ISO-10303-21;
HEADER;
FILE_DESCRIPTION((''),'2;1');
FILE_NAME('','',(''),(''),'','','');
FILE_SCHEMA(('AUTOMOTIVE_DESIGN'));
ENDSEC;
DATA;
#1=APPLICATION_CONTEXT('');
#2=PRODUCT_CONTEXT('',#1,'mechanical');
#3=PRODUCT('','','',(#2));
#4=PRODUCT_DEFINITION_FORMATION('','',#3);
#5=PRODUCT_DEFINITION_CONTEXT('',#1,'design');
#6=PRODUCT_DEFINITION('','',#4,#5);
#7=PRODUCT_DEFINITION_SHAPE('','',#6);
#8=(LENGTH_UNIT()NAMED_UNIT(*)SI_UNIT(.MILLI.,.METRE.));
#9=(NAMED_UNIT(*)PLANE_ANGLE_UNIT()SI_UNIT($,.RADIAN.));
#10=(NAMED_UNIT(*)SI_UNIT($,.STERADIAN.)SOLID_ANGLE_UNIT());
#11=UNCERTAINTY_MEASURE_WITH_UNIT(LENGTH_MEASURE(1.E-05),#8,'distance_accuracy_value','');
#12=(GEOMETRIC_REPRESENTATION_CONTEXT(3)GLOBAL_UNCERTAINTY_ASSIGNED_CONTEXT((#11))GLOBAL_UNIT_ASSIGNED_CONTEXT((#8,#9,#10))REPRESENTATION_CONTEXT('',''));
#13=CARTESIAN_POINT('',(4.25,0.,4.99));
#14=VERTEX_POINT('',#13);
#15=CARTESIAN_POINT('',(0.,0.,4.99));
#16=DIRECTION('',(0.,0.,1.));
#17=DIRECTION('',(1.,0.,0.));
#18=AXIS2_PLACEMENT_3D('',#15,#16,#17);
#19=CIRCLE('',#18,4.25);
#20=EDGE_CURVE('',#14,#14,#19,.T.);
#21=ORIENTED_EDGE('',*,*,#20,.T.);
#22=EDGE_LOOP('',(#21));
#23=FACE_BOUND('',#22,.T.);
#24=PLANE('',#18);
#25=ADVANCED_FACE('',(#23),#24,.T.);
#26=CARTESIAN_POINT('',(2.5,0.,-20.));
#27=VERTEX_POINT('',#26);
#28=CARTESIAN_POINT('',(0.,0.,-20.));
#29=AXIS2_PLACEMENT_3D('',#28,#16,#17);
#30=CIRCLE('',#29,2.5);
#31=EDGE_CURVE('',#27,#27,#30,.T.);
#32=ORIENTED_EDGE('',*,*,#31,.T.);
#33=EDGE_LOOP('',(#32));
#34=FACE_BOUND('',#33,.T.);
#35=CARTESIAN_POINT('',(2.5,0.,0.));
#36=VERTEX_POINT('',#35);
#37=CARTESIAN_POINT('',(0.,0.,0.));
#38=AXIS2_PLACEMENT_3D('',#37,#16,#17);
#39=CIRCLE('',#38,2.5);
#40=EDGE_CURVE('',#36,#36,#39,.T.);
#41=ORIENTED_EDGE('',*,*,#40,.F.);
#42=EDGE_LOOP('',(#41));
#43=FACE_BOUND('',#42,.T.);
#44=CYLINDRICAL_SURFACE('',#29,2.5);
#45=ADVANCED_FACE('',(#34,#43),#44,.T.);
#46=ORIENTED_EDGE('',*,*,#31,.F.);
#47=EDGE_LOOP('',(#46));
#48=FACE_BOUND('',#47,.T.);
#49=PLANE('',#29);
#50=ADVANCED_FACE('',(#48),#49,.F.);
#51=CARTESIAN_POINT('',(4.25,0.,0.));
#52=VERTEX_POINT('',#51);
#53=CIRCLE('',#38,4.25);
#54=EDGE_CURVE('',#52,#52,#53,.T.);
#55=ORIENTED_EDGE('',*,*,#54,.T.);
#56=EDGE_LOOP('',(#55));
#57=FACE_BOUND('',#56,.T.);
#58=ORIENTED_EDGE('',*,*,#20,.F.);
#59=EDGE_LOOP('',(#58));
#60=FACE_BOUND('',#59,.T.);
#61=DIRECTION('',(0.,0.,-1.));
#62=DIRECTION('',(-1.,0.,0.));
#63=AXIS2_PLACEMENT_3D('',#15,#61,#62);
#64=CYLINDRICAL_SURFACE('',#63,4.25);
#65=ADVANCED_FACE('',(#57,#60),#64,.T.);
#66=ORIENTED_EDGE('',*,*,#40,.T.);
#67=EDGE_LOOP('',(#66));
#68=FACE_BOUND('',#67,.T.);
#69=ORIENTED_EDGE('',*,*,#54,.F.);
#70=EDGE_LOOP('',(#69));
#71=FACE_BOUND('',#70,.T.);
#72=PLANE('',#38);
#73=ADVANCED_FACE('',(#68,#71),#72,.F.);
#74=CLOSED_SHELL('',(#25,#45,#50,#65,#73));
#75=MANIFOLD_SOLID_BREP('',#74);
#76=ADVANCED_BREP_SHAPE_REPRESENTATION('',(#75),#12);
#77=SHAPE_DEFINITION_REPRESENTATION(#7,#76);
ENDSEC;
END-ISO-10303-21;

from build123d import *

# Parameters (mm, degrees)
SKETCH_1_R      = 2.5
EXTRUDE_1_DEPTH = 20
SKETCH_2_R      = 4.25
EXTRUDE_2_DEPTH = 4.99


with BuildPart() as part:
    # 草图1 → 凸台-拉伸1 (new body)
    with BuildSketch(Plane.XY):
        Circle(SKETCH_1_R)
    extrude(amount=-EXTRUDE_1_DEPTH)

    # 草图2 → 凸台-拉伸2 (add)
    with BuildSketch(Plane.XY):
        Circle(SKETCH_2_R)
    extrude(amount=EXTRUDE_2_DEPTH)


solid = part.part
